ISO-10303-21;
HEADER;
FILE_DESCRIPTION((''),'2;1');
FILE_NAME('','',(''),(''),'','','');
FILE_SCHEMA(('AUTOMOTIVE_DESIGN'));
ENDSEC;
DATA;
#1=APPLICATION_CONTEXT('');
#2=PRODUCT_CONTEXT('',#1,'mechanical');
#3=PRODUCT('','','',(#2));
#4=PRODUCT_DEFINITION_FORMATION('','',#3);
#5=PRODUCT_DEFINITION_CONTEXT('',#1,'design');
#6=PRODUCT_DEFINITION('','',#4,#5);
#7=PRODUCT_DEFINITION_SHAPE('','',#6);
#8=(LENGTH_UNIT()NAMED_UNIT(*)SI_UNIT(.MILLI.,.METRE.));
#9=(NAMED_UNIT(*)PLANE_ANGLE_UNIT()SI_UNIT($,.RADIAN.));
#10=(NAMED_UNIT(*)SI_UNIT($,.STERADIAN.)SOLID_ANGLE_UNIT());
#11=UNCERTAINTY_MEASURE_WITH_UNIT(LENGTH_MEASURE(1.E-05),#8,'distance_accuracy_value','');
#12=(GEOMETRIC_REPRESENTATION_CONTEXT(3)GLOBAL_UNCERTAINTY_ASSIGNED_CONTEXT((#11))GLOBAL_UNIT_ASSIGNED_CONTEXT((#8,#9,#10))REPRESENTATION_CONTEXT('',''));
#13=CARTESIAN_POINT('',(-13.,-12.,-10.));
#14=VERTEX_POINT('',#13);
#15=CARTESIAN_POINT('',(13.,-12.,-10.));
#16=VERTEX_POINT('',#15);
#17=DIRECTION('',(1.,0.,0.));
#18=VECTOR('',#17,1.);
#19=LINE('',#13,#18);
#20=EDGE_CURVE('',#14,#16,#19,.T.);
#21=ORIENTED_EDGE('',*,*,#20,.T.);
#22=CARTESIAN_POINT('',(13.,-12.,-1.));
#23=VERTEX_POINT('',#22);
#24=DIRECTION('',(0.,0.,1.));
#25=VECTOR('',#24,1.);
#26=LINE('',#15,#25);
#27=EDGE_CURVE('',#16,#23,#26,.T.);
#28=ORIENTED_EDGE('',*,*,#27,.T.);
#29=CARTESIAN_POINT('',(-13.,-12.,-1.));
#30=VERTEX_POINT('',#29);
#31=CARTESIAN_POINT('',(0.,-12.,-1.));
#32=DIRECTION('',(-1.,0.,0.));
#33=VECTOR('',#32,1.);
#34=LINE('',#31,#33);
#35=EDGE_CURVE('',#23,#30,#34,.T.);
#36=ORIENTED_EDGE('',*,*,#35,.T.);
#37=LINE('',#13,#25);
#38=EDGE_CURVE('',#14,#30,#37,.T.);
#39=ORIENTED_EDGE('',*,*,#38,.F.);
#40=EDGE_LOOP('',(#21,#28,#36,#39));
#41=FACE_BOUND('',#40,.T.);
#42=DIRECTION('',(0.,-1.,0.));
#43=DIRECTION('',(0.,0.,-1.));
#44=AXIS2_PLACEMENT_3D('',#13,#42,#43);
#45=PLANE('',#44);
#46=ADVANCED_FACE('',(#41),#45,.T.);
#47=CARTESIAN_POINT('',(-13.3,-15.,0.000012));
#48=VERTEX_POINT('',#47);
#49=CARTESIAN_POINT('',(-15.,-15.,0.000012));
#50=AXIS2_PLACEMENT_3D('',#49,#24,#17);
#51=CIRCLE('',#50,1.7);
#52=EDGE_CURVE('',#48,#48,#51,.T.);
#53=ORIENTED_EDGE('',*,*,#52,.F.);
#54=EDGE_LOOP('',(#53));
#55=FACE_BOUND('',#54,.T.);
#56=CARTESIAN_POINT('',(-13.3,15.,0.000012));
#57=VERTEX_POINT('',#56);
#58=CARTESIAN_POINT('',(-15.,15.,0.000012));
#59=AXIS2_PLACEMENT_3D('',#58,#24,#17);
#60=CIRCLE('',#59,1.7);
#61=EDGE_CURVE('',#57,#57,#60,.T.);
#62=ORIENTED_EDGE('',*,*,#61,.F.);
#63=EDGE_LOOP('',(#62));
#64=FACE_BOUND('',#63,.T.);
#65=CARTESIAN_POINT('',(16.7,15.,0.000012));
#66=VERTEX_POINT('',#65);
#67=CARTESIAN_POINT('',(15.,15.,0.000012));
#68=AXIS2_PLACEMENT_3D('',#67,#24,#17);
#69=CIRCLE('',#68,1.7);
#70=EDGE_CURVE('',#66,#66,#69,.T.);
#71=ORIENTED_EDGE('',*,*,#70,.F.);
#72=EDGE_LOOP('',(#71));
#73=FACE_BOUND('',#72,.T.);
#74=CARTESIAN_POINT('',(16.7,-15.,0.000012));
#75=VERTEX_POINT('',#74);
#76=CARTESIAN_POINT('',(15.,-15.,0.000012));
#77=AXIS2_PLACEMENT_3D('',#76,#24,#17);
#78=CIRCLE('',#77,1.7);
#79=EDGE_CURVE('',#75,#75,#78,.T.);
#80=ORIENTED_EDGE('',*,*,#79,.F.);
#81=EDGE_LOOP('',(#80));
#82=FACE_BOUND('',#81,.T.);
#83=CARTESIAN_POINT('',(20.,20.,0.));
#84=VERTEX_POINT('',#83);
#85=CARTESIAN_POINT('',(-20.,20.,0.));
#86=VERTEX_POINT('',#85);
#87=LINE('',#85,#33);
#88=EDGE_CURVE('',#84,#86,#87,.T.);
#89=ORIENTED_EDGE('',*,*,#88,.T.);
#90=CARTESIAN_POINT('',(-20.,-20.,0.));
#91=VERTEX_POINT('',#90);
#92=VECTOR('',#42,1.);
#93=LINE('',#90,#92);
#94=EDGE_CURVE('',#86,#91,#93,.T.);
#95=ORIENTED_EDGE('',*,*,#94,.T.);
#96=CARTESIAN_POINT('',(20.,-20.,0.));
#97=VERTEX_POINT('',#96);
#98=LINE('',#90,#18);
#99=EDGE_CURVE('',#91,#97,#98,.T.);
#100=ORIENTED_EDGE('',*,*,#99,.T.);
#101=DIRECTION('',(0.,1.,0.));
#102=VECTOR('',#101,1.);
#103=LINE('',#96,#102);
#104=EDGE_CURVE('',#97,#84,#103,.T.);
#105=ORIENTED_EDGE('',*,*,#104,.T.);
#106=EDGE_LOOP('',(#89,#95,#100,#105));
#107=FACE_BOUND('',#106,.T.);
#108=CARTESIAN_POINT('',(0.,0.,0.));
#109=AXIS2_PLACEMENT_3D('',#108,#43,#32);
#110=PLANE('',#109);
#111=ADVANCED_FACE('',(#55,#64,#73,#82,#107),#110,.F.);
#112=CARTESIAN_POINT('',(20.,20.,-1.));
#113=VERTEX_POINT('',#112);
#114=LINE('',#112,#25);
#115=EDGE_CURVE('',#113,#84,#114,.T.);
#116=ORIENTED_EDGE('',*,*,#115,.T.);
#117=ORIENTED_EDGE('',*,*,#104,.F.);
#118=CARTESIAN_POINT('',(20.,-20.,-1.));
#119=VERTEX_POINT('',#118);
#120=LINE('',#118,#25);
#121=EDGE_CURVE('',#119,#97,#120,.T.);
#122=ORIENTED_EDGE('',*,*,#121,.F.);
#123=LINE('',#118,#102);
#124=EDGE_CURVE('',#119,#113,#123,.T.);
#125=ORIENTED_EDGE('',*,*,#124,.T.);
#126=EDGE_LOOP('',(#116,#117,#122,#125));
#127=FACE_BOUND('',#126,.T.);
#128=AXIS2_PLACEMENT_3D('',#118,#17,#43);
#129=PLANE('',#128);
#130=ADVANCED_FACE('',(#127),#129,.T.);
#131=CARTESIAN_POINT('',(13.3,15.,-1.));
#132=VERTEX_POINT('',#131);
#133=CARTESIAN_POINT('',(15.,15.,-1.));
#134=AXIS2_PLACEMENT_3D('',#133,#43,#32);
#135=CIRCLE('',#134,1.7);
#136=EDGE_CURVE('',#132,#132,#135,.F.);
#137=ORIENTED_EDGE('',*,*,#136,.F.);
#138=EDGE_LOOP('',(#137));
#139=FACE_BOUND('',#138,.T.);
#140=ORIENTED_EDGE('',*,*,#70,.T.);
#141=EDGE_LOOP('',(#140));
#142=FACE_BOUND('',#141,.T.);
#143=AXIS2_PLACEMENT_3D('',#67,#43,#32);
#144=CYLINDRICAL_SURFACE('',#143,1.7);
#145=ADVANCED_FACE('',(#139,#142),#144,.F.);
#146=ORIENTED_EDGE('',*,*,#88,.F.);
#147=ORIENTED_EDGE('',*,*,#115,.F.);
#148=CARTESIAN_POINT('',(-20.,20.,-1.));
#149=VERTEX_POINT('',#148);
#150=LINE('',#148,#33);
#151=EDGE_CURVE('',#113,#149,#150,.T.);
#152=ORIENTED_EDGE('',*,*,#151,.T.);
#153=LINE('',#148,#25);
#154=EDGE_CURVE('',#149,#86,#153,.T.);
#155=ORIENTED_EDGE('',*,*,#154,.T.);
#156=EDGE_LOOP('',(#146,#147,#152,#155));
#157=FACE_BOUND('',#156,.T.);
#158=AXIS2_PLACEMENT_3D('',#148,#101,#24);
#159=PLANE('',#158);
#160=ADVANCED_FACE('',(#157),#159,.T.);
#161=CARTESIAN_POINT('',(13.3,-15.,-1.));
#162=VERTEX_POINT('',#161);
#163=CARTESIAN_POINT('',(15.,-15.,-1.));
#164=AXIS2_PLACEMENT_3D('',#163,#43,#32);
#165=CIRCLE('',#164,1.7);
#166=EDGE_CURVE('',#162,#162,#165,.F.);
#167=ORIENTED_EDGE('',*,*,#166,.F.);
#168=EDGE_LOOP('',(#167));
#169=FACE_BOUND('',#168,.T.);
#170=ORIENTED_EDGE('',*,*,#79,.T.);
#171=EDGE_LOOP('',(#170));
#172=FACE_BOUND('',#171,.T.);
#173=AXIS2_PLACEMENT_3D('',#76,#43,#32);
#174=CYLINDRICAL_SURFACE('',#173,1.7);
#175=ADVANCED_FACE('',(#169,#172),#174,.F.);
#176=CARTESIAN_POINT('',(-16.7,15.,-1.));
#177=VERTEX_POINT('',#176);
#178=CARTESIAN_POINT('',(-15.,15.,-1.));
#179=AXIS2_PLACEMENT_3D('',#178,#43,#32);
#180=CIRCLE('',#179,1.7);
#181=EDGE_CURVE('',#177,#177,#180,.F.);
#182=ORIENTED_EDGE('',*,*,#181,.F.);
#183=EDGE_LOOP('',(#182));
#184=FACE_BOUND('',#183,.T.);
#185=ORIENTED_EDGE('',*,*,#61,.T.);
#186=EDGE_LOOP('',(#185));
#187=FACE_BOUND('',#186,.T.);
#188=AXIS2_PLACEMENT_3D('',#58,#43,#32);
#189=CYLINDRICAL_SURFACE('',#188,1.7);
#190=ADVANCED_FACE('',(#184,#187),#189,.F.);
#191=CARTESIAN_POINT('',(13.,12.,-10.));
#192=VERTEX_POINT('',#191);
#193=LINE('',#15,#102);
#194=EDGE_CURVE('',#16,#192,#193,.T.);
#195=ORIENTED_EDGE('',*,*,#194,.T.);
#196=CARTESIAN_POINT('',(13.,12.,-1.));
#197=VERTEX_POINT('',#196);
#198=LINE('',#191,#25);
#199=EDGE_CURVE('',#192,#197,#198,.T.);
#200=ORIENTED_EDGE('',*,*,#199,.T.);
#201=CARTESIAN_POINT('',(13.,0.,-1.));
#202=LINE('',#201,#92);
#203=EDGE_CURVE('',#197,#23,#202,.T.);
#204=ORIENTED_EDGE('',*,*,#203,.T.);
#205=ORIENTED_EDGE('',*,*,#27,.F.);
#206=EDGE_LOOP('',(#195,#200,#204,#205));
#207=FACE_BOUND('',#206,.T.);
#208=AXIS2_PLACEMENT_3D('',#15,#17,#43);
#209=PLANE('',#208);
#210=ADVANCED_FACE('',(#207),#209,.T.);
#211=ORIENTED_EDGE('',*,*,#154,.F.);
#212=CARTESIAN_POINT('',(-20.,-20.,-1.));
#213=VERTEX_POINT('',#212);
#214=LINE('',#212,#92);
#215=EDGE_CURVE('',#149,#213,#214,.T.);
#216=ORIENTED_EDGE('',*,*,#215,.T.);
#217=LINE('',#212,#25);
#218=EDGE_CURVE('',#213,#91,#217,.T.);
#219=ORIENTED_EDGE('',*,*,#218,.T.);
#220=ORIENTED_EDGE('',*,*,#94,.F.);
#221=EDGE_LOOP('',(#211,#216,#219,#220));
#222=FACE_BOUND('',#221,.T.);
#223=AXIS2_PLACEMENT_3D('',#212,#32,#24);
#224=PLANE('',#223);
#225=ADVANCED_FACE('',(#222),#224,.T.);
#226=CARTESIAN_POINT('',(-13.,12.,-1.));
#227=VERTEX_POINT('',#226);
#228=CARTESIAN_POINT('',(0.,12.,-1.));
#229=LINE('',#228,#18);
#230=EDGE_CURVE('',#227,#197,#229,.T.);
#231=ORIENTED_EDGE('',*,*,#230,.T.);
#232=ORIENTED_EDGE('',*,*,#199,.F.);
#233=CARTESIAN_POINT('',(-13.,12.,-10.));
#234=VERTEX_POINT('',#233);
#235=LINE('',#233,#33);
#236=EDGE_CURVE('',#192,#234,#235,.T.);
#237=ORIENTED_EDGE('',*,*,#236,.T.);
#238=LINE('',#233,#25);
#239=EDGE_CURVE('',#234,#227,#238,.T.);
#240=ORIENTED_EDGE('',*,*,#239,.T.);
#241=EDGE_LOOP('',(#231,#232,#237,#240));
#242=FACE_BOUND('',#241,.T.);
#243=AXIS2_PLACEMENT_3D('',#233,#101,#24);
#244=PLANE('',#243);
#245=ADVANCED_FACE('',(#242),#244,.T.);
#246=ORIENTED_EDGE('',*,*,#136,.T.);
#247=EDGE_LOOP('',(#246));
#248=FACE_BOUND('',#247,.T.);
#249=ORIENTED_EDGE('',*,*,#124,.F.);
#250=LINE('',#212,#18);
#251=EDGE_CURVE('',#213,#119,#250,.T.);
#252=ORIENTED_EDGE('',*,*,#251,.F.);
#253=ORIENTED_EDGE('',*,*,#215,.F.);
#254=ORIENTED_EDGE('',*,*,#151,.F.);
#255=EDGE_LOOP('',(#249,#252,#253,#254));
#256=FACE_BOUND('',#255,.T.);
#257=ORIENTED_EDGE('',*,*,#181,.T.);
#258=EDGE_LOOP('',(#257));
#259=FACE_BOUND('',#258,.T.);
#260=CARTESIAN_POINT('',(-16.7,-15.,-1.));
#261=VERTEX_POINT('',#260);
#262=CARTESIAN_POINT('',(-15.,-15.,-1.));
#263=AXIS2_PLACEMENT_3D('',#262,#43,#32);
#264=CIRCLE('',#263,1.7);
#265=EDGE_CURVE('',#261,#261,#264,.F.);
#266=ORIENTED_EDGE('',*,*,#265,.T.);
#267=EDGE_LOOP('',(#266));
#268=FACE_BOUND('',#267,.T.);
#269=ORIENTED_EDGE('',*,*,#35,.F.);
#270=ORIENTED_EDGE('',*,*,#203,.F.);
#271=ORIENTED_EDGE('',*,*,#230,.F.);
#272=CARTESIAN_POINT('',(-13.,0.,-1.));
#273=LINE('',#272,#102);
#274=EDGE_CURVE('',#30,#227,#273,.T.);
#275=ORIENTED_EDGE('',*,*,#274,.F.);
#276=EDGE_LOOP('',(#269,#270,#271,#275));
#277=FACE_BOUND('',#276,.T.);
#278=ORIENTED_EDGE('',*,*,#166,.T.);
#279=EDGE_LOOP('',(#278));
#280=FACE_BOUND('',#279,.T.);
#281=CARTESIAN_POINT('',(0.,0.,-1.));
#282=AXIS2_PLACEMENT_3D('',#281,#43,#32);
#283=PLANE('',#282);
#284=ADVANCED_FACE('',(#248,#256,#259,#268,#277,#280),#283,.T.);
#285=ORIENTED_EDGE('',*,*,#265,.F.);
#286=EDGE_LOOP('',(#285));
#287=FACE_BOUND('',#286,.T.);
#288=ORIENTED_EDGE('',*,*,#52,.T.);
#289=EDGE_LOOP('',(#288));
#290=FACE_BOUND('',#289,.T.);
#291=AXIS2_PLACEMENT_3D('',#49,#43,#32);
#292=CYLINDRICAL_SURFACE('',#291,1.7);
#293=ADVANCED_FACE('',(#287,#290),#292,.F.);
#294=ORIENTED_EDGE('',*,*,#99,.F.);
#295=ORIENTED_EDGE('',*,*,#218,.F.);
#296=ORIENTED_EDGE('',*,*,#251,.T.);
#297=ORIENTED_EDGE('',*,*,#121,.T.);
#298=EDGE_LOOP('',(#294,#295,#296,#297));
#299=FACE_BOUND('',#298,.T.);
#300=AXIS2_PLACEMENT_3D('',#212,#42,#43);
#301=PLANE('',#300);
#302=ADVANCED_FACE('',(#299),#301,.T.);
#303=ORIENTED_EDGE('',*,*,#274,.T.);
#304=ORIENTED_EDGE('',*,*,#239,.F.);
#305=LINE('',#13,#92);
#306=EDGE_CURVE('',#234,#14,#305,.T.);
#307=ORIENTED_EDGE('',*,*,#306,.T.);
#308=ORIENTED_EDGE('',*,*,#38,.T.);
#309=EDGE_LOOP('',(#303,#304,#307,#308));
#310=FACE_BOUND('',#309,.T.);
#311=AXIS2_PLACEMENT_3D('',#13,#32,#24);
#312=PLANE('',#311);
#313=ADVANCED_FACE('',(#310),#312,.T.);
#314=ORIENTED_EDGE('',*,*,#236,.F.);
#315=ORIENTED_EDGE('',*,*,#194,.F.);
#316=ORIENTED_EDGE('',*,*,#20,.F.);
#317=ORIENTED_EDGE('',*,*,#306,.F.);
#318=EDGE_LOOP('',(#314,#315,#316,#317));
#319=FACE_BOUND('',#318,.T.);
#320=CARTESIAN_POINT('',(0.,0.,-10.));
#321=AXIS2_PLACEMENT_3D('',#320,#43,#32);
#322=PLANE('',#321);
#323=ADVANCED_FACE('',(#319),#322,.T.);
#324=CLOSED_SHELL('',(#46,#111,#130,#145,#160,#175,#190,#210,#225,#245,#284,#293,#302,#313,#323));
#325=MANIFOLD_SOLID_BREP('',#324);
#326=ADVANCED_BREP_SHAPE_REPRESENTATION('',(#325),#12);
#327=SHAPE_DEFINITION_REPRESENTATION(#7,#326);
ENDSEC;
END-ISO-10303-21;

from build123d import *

# Parameters (mm, degrees)
SKETCH1_W                   = 40
SKETCH1_H                   = 40
BOSS_EXTRUDE1_DEPTH         = 1
SKETCH2_W                   = 26
SKETCH2_H                   = 24
BOSS_EXTRUDE2_DEPTH         = 10
LO_M3_BAT_DRIVER_DEPTH      = 31
LO_M3_BAT_DRIVER_DEPTH_BACK = 31
SKETCH3_R                   = 1.7


with BuildPart() as part:
    # Sketch1 → Boss-Extrude1 (new body)
    with BuildSketch(Plane.XY):
        Rectangle(SKETCH1_W, SKETCH1_H)
    extrude(amount=-BOSS_EXTRUDE1_DEPTH)

    # Sketch2 → Boss-Extrude2 (add)
    with BuildSketch(Plane.XY):
        Rectangle(SKETCH2_W, SKETCH2_H)
    extrude(amount=-BOSS_EXTRUDE2_DEPTH)

    # Sketch3 → Lo_M3_bat_driver (cut, two sides: drawn at the far end of the back side and taken through both)
    with BuildSketch(Plane.XY.offset(-LO_M3_BAT_DRIVER_DEPTH_BACK)):
        with Locations(Location((-15, -15, 0), (0, 0, 180))):
            Circle(SKETCH3_R)
        with Locations(Location((-15, 15, 0), (0, 0, 180))):
            Circle(SKETCH3_R)
        with Locations(Location((15, -15, 0), (0, 0, 180))):
            Circle(SKETCH3_R)
        with Locations(Location((15, 15, 0), (0, 0, 180))):
            Circle(SKETCH3_R)
    extrude(amount=LO_M3_BAT_DRIVER_DEPTH + LO_M3_BAT_DRIVER_DEPTH_BACK, mode=Mode.SUBTRACT)


solid = part.part
